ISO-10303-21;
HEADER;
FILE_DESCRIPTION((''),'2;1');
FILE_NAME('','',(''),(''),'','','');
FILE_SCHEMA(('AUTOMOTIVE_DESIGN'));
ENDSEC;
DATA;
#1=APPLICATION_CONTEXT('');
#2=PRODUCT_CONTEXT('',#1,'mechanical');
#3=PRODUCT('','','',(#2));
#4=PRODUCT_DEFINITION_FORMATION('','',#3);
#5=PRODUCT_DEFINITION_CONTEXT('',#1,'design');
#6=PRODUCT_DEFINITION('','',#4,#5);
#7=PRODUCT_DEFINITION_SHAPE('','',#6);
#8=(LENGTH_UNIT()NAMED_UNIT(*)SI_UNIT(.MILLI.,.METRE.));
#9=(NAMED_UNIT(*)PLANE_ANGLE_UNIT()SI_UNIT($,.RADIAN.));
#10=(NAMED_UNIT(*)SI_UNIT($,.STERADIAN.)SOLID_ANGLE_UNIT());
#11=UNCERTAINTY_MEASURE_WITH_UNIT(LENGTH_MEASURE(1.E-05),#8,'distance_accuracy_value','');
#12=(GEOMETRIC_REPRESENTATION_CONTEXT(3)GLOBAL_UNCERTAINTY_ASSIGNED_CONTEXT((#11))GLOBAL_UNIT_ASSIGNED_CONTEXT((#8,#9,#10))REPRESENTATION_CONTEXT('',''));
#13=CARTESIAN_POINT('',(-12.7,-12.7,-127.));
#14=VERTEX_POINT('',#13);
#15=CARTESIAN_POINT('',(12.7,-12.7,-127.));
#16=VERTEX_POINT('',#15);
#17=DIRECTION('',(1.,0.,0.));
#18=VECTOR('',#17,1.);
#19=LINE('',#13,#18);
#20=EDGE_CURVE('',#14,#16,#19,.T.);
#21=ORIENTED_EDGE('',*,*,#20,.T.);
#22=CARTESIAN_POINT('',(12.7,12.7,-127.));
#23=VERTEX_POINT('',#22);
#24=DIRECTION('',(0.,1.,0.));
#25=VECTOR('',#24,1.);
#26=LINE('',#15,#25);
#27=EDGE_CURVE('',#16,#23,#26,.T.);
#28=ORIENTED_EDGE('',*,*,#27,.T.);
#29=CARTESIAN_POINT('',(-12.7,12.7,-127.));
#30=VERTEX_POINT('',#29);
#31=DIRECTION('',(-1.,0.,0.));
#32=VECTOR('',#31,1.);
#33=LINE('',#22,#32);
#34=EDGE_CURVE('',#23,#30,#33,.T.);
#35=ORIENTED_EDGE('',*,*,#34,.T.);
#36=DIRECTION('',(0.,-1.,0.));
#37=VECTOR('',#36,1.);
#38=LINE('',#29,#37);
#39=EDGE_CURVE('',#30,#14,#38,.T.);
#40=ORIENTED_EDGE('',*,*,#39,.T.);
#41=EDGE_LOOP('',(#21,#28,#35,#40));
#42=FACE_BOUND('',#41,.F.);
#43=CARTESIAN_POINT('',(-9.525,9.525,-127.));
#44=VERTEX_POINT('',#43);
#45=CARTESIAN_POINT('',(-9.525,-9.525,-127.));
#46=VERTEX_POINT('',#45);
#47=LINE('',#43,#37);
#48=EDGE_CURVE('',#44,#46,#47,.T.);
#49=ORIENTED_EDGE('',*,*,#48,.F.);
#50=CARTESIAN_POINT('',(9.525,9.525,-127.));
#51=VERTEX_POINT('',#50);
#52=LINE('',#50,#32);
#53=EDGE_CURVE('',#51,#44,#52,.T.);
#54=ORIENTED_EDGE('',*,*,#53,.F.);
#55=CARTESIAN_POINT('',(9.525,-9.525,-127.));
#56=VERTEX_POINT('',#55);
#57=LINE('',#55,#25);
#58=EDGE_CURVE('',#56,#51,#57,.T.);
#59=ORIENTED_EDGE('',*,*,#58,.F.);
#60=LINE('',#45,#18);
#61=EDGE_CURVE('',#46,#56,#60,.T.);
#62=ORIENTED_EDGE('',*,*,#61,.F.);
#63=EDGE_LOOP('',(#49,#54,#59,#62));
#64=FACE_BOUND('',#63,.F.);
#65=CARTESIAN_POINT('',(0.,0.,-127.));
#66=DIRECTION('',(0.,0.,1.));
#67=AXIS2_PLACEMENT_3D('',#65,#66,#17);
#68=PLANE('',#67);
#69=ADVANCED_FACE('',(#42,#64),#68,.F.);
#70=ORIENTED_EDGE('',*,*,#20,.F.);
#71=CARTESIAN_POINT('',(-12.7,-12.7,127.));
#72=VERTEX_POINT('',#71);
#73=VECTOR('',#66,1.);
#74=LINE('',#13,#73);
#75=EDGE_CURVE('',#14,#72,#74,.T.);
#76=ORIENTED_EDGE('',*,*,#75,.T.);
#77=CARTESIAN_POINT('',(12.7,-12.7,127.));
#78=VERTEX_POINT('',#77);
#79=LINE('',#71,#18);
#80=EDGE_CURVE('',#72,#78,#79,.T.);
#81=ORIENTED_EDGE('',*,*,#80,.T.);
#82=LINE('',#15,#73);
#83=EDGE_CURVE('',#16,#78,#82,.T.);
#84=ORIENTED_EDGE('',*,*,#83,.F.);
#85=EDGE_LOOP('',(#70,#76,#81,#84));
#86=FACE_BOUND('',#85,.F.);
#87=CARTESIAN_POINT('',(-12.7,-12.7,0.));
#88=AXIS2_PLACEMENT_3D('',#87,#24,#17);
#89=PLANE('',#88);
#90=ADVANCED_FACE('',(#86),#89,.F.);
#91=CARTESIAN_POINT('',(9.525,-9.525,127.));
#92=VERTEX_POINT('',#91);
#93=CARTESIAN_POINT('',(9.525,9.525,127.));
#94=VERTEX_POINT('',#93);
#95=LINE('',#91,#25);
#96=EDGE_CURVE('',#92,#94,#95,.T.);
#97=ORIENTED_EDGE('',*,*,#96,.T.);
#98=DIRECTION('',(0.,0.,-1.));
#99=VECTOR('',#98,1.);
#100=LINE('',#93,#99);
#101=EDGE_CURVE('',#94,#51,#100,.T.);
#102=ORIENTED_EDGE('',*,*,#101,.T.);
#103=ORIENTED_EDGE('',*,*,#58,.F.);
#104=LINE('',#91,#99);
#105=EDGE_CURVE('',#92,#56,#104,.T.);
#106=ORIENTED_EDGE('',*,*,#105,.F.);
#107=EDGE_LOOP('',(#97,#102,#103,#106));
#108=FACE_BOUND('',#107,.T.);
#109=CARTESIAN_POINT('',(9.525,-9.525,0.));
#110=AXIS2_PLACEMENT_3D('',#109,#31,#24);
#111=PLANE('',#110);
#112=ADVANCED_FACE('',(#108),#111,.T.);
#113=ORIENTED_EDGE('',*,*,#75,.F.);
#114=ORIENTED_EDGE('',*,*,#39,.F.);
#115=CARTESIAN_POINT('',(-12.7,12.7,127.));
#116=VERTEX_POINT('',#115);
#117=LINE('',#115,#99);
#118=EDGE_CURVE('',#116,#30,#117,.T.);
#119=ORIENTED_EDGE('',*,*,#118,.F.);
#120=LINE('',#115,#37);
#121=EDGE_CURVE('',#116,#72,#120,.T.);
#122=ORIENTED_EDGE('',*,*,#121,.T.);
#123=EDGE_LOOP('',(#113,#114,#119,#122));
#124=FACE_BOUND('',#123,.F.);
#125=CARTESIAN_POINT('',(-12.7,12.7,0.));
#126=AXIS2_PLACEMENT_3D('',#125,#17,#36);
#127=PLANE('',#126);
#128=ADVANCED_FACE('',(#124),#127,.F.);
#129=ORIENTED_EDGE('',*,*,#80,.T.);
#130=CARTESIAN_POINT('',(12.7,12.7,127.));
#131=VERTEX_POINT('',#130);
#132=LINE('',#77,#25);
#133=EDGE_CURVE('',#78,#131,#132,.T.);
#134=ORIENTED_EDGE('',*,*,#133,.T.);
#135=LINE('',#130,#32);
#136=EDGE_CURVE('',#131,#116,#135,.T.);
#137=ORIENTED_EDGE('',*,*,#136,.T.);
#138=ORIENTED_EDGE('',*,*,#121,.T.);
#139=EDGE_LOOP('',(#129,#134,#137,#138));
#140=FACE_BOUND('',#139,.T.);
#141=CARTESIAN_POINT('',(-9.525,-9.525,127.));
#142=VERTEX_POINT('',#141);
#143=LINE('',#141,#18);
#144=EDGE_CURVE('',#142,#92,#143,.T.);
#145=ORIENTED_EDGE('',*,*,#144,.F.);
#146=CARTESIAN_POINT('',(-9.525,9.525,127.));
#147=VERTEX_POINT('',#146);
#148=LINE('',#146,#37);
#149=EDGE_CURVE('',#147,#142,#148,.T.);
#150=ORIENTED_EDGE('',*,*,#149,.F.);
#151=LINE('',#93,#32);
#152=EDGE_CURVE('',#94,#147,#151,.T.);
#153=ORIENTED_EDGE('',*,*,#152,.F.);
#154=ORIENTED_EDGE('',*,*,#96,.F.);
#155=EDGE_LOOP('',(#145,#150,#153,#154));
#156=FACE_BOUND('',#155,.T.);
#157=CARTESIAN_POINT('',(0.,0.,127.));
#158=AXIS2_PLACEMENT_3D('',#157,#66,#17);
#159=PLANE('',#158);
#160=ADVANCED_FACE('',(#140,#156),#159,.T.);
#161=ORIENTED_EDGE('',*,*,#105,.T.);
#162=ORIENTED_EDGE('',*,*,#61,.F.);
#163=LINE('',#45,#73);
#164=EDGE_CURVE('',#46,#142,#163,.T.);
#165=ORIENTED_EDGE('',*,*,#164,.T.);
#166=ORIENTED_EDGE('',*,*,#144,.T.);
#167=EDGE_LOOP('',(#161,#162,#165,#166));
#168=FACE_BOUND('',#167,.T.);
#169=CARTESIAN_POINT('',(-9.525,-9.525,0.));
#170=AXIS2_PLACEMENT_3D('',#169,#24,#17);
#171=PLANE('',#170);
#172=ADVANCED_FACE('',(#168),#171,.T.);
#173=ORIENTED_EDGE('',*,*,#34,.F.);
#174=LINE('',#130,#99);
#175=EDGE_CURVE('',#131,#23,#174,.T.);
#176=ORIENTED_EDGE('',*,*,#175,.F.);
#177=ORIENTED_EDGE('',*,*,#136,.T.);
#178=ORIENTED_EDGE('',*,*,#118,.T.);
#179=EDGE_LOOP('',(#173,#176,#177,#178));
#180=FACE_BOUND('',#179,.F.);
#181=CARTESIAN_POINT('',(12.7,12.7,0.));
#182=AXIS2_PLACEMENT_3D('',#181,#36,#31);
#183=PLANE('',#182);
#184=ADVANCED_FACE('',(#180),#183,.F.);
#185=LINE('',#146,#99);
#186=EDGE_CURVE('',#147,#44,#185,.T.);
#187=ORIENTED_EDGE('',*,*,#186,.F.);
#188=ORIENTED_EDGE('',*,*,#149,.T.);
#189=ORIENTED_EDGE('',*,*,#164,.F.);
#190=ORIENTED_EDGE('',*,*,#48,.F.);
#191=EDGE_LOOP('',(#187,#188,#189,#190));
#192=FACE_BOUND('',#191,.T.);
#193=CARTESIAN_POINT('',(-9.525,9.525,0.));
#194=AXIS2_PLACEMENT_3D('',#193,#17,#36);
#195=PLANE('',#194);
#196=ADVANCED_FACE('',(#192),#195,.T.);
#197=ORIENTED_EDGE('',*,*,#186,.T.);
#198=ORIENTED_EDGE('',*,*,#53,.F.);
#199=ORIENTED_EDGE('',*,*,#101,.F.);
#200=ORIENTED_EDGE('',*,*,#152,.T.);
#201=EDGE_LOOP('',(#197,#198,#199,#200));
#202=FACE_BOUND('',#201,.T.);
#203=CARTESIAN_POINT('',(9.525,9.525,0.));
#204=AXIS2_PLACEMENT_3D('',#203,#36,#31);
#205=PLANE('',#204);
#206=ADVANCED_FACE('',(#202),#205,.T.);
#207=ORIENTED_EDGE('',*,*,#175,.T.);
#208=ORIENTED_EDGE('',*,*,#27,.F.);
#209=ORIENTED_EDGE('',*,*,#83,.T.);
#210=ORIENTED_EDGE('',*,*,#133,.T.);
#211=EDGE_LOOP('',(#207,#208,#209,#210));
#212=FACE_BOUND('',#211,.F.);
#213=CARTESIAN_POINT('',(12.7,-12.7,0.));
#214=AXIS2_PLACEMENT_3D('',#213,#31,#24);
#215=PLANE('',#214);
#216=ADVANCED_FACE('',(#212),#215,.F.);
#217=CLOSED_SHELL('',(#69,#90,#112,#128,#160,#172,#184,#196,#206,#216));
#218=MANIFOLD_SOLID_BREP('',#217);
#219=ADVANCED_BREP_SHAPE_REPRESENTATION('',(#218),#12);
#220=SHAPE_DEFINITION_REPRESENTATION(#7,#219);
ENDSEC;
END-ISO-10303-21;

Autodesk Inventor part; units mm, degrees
ref_plane "YZ Plane" through (0, 0, 0) normal (1, 0, 0) x (0, 1, 0)
ref_plane "XZ Plane" through (0, 0, 0) normal (0, 1, 0) x (-1, 0, 0)
ref_plane "XY Plane" through (0, 0, 0) normal (0, 0, 1) x (1, 0, 0)
sketch "Sketch1" plane through (0, 0, 0) normal (0, 0, 1) x (1, 0, 0)
  line L0 (-12.7, -12.7) -> (12.7, -12.7)
  line L1 (12.7, -12.7) -> (12.7, 12.7)
  line L2 (12.7, 12.7) -> (-12.7, 12.7)
  line L3 (-12.7, 12.7) -> (-12.7, -12.7)
  line L4 (-12.7, -12.7) -> (12.7, 12.7) construction
  line L5 (12.7, -12.7) -> (-12.7, 12.7) construction
  line L6 (-9.525, -9.525) -> (9.525, -9.525)
  line L7 (9.525, -9.525) -> (9.525, 9.525)
  line L8 (9.525, 9.525) -> (-9.525, 9.525)
  line L9 (-9.525, 9.525) -> (-9.525, -9.525)
  line L10 (-9.525, -9.525) -> (9.525, 9.525) construction
  line L11 (9.525, -9.525) -> (-9.525, 9.525) construction
  point P0 (0, 0)
  dimension "d0" = 25.4
  dimension "d1" = 25.4
  dimension "d2" = 3.175
  dimension "d3" = 3.175
extrude "Extrusion1" add sketch "Sketch1" along normal mid plane 254
properties part number "10-inchAluminumTubingWithOne45DegreeCug"
